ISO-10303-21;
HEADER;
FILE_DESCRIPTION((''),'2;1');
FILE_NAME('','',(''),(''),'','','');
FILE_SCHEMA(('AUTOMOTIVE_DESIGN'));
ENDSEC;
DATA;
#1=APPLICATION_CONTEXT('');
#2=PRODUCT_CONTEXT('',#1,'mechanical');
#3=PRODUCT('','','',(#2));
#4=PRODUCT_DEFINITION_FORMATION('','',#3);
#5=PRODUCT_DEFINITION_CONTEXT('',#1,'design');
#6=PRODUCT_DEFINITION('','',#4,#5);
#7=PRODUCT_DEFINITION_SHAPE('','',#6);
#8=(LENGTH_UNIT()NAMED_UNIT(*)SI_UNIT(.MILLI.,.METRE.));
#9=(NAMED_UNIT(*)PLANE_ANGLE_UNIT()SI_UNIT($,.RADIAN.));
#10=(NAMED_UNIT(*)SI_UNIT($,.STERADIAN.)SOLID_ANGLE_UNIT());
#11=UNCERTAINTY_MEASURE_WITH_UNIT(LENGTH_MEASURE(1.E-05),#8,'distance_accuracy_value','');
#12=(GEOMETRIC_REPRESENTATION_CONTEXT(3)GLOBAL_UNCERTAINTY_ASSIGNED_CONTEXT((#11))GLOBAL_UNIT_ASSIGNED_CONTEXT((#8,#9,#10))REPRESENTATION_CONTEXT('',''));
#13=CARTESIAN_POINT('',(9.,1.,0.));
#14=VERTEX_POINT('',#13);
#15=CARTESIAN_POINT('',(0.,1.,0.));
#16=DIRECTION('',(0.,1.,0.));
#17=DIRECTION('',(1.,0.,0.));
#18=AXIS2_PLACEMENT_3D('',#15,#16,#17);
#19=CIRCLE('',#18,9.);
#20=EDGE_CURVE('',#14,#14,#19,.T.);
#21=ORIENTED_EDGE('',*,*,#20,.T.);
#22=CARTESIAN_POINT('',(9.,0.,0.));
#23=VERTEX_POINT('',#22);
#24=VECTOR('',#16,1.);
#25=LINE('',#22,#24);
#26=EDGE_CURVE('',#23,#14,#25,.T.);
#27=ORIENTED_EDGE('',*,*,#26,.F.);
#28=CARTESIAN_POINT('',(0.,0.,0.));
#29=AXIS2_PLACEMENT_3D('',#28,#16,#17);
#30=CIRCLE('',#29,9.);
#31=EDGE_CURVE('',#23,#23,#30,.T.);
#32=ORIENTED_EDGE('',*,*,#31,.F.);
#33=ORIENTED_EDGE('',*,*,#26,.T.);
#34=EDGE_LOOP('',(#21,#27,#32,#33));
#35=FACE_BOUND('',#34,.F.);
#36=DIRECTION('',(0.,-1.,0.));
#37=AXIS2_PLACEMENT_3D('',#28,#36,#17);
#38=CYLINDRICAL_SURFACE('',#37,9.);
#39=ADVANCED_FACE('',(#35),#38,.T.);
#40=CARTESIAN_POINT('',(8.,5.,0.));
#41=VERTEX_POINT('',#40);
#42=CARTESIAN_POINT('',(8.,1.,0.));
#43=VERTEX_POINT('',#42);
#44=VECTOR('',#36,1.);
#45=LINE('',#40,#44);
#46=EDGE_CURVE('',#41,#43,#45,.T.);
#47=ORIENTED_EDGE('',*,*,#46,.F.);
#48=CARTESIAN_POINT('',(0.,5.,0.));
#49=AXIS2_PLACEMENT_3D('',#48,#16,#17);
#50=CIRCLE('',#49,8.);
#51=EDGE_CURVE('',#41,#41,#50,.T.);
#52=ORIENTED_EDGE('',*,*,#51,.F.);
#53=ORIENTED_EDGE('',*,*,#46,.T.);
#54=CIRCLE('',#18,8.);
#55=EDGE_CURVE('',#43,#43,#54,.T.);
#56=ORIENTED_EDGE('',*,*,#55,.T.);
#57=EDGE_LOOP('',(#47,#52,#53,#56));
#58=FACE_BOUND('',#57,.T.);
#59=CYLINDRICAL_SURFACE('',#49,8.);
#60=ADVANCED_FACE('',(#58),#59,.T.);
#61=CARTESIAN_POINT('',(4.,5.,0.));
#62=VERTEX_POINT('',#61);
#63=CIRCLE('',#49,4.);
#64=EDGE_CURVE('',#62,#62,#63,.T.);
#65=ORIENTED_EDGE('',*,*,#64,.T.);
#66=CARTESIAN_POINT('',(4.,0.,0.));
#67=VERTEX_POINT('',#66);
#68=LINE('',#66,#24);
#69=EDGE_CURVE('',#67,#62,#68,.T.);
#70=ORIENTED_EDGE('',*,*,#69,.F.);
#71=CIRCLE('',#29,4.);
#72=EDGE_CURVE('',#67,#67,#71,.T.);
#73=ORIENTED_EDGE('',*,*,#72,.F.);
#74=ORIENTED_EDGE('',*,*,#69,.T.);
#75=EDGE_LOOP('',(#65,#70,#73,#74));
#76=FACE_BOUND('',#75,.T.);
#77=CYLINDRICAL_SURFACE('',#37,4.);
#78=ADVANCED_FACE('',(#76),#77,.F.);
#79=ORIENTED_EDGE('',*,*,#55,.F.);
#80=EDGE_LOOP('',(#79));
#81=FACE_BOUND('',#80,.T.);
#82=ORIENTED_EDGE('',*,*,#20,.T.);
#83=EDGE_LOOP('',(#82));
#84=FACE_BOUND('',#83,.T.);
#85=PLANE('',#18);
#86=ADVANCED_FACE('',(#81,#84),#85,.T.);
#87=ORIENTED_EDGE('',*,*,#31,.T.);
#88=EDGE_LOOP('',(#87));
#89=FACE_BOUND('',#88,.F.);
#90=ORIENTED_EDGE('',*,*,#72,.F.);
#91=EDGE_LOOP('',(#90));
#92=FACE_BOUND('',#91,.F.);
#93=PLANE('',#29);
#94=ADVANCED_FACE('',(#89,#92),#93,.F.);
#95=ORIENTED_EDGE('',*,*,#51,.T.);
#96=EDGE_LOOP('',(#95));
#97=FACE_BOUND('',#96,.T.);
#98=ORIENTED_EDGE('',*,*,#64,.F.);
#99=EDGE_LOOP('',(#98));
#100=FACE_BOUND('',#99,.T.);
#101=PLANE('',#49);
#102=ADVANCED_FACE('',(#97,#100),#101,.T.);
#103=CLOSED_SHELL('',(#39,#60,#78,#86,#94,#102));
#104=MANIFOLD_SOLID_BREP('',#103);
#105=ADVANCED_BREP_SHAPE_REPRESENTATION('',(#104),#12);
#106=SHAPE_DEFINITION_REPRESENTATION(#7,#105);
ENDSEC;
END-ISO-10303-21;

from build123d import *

# Parameters (mm, degrees)
SKETCH_1_R          = 9
SKETCH_1_R_2        = 4
EXTRUDE_1_DEPTH     = 5
SKETCH_2_R          = 9
SKETCH_2_R_2        = 8
CUT_EXTRUDE_1_DEPTH = 4


with BuildPart() as part:
    # 草图1 → 凸台-拉伸1 (new body)
    with BuildSketch(Plane(origin=(0, 0, 0), x_dir=(1, 0, 0), z_dir=(0, 1, 0))):
        Circle(SKETCH_1_R)
        Circle(SKETCH_1_R_2, mode=Mode.SUBTRACT)
    extrude(amount=EXTRUDE_1_DEPTH)

    # 草图2 → 切除-拉伸1 (cut)
    with BuildSketch(Plane(origin=(0, 5, 0), x_dir=(1, 0, 0), z_dir=(0, 1, 0))):
        Circle(SKETCH_2_R)
        Circle(SKETCH_2_R_2, mode=Mode.SUBTRACT)
    extrude(amount=-CUT_EXTRUDE_1_DEPTH, mode=Mode.SUBTRACT)


solid = part.part
